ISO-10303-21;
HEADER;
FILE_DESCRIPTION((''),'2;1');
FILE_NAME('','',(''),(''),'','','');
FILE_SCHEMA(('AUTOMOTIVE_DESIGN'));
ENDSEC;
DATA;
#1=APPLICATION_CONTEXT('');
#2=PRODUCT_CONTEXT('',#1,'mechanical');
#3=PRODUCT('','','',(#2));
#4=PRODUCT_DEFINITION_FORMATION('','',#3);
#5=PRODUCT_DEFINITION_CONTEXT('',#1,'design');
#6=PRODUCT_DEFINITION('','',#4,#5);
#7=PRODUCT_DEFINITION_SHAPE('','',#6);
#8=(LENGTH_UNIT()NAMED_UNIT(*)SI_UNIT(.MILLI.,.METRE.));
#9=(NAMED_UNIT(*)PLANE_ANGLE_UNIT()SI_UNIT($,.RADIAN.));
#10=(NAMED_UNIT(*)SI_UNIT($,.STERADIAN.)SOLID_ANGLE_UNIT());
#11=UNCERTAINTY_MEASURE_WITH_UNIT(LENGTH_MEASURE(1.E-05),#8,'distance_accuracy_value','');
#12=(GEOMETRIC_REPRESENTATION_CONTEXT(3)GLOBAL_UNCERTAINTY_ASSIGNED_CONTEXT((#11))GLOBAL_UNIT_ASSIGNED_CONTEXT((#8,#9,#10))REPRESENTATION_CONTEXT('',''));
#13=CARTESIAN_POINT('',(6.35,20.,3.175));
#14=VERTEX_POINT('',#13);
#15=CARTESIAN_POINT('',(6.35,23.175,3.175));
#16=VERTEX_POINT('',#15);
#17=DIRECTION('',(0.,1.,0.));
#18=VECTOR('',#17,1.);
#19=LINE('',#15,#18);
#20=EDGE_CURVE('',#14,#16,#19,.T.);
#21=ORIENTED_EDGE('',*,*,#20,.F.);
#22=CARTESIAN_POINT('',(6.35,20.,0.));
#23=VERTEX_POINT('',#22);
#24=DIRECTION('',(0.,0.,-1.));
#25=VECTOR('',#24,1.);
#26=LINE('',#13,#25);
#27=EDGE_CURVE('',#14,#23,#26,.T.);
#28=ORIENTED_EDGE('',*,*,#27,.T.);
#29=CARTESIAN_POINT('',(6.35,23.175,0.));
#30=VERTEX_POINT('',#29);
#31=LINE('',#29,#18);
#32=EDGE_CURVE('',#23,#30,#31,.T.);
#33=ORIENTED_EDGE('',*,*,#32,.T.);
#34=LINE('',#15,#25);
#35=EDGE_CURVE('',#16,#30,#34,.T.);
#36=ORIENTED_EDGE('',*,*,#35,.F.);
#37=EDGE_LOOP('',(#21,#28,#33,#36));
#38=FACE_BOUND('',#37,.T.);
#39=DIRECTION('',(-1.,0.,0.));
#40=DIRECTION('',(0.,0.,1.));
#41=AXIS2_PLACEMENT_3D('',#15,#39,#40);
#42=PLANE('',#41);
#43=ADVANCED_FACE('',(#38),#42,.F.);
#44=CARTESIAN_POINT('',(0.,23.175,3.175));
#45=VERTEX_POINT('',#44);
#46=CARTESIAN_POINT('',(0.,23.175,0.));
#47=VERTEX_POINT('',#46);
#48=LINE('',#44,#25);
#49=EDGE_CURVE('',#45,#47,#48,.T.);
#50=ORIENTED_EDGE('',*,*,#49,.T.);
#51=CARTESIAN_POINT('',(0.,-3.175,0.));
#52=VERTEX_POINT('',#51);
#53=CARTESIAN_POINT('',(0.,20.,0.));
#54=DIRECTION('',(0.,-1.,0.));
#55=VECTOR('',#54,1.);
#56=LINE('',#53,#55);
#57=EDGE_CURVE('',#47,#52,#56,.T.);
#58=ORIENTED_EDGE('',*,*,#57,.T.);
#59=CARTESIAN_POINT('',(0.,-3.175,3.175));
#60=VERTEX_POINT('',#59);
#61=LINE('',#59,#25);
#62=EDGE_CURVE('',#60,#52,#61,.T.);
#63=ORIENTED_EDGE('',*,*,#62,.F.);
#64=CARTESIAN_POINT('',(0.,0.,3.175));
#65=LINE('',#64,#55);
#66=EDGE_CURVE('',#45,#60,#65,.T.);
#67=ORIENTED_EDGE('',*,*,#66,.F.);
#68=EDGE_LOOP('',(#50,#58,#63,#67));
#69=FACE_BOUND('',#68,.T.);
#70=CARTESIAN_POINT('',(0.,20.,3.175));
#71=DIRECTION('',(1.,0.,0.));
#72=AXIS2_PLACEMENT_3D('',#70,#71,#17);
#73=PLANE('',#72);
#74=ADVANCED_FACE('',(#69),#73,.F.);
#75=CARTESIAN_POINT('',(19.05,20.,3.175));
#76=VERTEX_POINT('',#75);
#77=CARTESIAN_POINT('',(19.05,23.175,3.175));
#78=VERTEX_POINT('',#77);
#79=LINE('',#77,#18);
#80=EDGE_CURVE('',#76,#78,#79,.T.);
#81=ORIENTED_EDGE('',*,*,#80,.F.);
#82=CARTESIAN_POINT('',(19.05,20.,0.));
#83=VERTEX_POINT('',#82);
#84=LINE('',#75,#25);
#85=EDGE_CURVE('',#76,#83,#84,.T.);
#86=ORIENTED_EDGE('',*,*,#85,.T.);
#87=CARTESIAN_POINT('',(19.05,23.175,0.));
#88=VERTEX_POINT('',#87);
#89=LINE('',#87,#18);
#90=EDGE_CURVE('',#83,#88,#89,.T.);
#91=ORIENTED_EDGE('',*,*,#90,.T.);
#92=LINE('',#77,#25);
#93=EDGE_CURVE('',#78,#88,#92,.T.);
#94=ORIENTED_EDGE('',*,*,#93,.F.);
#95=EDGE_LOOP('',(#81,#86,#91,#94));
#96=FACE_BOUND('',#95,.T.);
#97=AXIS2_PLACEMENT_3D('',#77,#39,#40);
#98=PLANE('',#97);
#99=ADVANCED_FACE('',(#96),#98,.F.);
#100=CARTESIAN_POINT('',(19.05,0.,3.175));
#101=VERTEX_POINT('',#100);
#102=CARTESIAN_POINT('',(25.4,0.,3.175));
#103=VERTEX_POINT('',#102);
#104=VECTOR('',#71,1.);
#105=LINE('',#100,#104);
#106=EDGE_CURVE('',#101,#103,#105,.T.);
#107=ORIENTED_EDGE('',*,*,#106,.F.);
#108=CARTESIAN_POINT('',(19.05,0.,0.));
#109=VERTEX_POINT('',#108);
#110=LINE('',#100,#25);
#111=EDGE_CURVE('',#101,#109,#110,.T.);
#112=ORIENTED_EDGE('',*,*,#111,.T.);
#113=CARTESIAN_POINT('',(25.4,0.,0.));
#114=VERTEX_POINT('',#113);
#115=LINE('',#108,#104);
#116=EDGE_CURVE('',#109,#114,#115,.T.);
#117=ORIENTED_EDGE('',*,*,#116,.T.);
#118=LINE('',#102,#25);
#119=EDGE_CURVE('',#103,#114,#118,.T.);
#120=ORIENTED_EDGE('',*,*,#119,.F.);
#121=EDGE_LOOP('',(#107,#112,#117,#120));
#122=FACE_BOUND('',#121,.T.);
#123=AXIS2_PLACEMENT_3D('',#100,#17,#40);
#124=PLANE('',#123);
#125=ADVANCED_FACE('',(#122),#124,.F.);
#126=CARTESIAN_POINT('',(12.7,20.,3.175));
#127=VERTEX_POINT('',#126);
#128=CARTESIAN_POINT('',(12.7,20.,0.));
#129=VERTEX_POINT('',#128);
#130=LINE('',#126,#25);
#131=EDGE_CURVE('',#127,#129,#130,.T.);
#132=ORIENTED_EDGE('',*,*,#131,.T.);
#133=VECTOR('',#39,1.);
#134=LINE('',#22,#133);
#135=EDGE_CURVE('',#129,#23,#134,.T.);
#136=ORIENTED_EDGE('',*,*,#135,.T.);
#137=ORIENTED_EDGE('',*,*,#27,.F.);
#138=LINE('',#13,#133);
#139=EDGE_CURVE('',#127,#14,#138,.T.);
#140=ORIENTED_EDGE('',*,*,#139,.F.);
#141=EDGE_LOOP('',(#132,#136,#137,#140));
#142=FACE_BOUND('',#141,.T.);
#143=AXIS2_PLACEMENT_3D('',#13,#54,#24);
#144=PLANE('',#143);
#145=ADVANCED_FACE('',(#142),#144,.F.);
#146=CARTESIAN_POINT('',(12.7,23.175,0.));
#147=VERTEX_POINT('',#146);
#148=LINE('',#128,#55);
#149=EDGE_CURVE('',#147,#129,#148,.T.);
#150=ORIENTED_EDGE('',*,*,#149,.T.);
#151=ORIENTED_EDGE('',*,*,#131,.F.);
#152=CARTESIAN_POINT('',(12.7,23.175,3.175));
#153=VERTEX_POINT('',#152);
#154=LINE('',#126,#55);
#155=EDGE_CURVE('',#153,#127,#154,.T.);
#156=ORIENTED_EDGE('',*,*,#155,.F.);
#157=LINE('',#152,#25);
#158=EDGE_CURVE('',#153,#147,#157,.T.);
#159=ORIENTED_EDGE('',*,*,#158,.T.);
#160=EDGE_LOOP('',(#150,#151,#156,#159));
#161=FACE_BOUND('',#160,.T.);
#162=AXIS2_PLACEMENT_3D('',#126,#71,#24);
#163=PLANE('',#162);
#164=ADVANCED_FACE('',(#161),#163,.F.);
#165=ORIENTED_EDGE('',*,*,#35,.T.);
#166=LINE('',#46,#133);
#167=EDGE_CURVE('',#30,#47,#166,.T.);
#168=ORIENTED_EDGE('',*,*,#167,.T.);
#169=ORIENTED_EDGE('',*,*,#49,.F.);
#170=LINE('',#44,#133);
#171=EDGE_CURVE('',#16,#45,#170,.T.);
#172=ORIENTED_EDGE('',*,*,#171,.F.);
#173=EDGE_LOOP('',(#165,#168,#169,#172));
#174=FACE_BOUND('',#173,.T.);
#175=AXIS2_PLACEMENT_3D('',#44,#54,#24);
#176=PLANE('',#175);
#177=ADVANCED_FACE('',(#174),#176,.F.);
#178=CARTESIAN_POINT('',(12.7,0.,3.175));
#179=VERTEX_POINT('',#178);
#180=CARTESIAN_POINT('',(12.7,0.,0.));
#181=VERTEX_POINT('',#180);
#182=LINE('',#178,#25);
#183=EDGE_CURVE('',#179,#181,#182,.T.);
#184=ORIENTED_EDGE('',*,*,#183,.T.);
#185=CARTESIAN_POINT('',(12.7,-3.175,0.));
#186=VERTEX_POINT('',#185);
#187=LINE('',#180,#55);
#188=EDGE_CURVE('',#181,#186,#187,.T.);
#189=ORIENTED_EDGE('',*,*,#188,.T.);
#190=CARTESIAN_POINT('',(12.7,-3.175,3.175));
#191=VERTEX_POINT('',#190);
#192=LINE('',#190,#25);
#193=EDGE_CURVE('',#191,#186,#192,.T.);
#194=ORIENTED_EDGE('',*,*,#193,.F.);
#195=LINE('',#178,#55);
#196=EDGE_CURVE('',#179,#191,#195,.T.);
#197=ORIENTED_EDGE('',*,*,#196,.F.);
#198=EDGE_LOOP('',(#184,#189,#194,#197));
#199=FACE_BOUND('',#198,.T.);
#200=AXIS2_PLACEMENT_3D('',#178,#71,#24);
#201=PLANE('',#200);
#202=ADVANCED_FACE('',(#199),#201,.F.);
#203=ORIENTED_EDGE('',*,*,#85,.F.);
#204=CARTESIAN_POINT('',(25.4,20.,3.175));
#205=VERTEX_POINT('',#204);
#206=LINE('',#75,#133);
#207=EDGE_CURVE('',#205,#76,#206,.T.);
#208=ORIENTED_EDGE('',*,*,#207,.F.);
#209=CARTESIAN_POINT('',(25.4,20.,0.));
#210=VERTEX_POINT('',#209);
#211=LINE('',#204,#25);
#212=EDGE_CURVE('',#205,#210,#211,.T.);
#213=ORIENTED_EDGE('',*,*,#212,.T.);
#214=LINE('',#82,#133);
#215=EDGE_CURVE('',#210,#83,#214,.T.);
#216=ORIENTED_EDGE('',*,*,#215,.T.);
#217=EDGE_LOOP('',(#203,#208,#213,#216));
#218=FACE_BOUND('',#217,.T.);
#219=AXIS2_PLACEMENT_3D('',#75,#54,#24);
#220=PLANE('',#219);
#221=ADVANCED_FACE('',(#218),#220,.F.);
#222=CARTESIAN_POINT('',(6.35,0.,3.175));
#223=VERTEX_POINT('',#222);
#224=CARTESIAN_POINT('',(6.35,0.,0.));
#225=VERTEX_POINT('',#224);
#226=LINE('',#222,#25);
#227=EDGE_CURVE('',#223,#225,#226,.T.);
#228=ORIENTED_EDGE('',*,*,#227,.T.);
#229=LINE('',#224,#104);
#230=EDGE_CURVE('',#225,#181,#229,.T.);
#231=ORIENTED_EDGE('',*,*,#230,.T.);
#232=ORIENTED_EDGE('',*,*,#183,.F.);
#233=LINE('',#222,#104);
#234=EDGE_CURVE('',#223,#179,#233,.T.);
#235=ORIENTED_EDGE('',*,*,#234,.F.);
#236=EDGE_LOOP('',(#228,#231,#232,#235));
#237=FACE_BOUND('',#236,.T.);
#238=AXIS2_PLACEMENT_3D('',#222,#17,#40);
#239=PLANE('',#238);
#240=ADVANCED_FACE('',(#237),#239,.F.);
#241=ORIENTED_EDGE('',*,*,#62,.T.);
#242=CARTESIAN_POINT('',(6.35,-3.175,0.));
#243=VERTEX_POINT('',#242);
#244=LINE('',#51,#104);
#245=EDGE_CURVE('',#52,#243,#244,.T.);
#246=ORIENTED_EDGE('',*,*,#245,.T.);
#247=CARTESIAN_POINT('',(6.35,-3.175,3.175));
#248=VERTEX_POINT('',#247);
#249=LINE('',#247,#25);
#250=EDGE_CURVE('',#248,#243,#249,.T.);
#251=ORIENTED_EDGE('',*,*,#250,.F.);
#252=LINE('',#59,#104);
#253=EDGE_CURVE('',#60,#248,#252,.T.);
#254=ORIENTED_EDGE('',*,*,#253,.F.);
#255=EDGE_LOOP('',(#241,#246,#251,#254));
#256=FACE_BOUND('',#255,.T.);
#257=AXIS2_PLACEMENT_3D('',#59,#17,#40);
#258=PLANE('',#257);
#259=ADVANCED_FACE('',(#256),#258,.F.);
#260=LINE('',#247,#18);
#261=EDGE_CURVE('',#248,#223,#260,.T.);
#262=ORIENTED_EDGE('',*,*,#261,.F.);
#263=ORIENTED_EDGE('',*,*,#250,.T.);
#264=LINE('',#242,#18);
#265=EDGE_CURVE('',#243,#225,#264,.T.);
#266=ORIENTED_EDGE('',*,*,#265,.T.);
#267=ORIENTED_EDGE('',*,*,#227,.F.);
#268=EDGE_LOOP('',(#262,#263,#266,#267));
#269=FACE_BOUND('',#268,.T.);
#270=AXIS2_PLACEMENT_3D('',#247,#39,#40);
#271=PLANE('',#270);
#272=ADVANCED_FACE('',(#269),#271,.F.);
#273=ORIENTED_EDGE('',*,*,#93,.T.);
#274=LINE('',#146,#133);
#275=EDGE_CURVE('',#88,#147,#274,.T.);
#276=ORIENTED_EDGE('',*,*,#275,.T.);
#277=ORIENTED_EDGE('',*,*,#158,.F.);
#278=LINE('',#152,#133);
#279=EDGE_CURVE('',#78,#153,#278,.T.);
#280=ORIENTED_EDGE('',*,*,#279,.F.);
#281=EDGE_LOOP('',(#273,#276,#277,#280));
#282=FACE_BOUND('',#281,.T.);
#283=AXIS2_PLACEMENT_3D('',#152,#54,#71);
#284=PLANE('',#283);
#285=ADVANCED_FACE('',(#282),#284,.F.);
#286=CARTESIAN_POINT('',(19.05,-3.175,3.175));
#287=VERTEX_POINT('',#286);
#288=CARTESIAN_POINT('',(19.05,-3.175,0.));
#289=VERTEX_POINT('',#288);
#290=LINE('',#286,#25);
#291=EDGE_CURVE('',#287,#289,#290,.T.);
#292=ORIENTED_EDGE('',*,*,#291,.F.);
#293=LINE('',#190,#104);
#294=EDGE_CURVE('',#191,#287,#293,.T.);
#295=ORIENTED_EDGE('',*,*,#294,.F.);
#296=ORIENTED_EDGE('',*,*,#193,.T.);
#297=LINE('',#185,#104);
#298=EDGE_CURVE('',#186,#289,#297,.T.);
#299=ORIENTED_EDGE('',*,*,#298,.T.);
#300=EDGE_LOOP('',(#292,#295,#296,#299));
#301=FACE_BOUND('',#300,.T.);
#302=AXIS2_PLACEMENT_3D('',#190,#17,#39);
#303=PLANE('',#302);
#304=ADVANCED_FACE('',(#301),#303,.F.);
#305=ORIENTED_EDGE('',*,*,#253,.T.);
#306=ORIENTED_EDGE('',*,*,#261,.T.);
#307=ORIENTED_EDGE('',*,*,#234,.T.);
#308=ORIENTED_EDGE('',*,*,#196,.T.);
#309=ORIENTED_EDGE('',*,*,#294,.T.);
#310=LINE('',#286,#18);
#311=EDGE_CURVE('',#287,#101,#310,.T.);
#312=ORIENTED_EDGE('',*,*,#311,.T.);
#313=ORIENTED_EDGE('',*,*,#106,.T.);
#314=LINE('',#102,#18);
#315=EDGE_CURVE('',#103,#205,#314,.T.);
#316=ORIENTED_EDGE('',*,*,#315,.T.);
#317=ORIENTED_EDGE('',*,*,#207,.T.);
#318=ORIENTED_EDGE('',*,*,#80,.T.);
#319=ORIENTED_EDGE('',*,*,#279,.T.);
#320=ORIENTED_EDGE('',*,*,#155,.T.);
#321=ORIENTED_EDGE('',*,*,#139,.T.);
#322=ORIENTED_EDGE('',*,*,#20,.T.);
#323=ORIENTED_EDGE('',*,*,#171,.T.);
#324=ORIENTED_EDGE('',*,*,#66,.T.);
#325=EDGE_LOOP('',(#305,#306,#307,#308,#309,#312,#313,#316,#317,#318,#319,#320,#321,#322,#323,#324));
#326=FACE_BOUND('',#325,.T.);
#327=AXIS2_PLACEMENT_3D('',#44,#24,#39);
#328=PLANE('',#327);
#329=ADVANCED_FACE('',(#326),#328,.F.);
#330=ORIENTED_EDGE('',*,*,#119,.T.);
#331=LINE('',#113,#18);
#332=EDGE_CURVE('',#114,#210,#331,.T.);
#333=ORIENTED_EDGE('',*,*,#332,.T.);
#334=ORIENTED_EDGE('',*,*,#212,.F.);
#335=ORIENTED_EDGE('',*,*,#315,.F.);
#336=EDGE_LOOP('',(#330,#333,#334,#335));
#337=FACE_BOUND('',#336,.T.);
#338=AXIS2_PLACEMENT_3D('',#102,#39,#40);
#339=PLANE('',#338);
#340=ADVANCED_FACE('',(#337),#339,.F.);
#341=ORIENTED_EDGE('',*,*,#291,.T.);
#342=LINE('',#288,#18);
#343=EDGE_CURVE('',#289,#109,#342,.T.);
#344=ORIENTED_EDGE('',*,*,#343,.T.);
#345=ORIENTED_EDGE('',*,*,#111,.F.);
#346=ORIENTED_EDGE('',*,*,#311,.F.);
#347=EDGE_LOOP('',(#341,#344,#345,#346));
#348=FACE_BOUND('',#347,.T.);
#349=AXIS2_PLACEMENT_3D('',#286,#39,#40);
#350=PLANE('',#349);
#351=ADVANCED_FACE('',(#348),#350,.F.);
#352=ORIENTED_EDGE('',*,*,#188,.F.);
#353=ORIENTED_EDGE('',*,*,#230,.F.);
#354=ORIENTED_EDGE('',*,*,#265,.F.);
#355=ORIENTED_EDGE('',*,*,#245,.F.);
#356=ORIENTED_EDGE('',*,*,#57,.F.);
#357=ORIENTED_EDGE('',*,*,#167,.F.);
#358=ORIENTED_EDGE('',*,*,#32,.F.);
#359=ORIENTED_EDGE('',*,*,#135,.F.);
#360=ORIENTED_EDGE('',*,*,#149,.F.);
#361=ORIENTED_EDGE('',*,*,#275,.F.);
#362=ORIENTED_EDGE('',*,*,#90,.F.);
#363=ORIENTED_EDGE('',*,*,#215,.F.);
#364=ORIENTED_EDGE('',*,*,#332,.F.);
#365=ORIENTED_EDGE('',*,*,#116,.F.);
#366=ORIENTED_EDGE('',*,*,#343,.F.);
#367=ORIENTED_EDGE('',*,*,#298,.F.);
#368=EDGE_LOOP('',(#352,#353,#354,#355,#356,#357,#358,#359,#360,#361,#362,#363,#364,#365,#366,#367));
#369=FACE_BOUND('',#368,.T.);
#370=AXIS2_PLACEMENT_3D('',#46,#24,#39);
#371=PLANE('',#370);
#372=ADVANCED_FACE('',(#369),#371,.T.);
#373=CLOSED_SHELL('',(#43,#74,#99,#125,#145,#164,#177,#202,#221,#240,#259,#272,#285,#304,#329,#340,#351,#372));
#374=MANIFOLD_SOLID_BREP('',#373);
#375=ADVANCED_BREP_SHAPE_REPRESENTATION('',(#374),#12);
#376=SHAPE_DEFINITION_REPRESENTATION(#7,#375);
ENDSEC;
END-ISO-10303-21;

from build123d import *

# Parameters (mm, degrees)
BOSS_EXTRUDE1_DEPTH = 3.175


with BuildPart() as part:
    # Sketch1 → Boss-Extrude1 (new body)
    with BuildSketch(Plane.XY):
        Polygon((0, 0), (0, -3.175), (6.35, -3.175), (6.35, 0), (12.7, 0), (12.7, -3.175), (19.05, -3.175), (19.05, 0), (25.4, 0), (25.4, 20), (19.05, 20), (19.05, 23.175), (12.7, 23.175), (12.7, 20), (6.35, 20), (6.35, 23.175), (0, 23.175), (0, 20), align=None)
    extrude(amount=BOSS_EXTRUDE1_DEPTH)


solid = part.part
